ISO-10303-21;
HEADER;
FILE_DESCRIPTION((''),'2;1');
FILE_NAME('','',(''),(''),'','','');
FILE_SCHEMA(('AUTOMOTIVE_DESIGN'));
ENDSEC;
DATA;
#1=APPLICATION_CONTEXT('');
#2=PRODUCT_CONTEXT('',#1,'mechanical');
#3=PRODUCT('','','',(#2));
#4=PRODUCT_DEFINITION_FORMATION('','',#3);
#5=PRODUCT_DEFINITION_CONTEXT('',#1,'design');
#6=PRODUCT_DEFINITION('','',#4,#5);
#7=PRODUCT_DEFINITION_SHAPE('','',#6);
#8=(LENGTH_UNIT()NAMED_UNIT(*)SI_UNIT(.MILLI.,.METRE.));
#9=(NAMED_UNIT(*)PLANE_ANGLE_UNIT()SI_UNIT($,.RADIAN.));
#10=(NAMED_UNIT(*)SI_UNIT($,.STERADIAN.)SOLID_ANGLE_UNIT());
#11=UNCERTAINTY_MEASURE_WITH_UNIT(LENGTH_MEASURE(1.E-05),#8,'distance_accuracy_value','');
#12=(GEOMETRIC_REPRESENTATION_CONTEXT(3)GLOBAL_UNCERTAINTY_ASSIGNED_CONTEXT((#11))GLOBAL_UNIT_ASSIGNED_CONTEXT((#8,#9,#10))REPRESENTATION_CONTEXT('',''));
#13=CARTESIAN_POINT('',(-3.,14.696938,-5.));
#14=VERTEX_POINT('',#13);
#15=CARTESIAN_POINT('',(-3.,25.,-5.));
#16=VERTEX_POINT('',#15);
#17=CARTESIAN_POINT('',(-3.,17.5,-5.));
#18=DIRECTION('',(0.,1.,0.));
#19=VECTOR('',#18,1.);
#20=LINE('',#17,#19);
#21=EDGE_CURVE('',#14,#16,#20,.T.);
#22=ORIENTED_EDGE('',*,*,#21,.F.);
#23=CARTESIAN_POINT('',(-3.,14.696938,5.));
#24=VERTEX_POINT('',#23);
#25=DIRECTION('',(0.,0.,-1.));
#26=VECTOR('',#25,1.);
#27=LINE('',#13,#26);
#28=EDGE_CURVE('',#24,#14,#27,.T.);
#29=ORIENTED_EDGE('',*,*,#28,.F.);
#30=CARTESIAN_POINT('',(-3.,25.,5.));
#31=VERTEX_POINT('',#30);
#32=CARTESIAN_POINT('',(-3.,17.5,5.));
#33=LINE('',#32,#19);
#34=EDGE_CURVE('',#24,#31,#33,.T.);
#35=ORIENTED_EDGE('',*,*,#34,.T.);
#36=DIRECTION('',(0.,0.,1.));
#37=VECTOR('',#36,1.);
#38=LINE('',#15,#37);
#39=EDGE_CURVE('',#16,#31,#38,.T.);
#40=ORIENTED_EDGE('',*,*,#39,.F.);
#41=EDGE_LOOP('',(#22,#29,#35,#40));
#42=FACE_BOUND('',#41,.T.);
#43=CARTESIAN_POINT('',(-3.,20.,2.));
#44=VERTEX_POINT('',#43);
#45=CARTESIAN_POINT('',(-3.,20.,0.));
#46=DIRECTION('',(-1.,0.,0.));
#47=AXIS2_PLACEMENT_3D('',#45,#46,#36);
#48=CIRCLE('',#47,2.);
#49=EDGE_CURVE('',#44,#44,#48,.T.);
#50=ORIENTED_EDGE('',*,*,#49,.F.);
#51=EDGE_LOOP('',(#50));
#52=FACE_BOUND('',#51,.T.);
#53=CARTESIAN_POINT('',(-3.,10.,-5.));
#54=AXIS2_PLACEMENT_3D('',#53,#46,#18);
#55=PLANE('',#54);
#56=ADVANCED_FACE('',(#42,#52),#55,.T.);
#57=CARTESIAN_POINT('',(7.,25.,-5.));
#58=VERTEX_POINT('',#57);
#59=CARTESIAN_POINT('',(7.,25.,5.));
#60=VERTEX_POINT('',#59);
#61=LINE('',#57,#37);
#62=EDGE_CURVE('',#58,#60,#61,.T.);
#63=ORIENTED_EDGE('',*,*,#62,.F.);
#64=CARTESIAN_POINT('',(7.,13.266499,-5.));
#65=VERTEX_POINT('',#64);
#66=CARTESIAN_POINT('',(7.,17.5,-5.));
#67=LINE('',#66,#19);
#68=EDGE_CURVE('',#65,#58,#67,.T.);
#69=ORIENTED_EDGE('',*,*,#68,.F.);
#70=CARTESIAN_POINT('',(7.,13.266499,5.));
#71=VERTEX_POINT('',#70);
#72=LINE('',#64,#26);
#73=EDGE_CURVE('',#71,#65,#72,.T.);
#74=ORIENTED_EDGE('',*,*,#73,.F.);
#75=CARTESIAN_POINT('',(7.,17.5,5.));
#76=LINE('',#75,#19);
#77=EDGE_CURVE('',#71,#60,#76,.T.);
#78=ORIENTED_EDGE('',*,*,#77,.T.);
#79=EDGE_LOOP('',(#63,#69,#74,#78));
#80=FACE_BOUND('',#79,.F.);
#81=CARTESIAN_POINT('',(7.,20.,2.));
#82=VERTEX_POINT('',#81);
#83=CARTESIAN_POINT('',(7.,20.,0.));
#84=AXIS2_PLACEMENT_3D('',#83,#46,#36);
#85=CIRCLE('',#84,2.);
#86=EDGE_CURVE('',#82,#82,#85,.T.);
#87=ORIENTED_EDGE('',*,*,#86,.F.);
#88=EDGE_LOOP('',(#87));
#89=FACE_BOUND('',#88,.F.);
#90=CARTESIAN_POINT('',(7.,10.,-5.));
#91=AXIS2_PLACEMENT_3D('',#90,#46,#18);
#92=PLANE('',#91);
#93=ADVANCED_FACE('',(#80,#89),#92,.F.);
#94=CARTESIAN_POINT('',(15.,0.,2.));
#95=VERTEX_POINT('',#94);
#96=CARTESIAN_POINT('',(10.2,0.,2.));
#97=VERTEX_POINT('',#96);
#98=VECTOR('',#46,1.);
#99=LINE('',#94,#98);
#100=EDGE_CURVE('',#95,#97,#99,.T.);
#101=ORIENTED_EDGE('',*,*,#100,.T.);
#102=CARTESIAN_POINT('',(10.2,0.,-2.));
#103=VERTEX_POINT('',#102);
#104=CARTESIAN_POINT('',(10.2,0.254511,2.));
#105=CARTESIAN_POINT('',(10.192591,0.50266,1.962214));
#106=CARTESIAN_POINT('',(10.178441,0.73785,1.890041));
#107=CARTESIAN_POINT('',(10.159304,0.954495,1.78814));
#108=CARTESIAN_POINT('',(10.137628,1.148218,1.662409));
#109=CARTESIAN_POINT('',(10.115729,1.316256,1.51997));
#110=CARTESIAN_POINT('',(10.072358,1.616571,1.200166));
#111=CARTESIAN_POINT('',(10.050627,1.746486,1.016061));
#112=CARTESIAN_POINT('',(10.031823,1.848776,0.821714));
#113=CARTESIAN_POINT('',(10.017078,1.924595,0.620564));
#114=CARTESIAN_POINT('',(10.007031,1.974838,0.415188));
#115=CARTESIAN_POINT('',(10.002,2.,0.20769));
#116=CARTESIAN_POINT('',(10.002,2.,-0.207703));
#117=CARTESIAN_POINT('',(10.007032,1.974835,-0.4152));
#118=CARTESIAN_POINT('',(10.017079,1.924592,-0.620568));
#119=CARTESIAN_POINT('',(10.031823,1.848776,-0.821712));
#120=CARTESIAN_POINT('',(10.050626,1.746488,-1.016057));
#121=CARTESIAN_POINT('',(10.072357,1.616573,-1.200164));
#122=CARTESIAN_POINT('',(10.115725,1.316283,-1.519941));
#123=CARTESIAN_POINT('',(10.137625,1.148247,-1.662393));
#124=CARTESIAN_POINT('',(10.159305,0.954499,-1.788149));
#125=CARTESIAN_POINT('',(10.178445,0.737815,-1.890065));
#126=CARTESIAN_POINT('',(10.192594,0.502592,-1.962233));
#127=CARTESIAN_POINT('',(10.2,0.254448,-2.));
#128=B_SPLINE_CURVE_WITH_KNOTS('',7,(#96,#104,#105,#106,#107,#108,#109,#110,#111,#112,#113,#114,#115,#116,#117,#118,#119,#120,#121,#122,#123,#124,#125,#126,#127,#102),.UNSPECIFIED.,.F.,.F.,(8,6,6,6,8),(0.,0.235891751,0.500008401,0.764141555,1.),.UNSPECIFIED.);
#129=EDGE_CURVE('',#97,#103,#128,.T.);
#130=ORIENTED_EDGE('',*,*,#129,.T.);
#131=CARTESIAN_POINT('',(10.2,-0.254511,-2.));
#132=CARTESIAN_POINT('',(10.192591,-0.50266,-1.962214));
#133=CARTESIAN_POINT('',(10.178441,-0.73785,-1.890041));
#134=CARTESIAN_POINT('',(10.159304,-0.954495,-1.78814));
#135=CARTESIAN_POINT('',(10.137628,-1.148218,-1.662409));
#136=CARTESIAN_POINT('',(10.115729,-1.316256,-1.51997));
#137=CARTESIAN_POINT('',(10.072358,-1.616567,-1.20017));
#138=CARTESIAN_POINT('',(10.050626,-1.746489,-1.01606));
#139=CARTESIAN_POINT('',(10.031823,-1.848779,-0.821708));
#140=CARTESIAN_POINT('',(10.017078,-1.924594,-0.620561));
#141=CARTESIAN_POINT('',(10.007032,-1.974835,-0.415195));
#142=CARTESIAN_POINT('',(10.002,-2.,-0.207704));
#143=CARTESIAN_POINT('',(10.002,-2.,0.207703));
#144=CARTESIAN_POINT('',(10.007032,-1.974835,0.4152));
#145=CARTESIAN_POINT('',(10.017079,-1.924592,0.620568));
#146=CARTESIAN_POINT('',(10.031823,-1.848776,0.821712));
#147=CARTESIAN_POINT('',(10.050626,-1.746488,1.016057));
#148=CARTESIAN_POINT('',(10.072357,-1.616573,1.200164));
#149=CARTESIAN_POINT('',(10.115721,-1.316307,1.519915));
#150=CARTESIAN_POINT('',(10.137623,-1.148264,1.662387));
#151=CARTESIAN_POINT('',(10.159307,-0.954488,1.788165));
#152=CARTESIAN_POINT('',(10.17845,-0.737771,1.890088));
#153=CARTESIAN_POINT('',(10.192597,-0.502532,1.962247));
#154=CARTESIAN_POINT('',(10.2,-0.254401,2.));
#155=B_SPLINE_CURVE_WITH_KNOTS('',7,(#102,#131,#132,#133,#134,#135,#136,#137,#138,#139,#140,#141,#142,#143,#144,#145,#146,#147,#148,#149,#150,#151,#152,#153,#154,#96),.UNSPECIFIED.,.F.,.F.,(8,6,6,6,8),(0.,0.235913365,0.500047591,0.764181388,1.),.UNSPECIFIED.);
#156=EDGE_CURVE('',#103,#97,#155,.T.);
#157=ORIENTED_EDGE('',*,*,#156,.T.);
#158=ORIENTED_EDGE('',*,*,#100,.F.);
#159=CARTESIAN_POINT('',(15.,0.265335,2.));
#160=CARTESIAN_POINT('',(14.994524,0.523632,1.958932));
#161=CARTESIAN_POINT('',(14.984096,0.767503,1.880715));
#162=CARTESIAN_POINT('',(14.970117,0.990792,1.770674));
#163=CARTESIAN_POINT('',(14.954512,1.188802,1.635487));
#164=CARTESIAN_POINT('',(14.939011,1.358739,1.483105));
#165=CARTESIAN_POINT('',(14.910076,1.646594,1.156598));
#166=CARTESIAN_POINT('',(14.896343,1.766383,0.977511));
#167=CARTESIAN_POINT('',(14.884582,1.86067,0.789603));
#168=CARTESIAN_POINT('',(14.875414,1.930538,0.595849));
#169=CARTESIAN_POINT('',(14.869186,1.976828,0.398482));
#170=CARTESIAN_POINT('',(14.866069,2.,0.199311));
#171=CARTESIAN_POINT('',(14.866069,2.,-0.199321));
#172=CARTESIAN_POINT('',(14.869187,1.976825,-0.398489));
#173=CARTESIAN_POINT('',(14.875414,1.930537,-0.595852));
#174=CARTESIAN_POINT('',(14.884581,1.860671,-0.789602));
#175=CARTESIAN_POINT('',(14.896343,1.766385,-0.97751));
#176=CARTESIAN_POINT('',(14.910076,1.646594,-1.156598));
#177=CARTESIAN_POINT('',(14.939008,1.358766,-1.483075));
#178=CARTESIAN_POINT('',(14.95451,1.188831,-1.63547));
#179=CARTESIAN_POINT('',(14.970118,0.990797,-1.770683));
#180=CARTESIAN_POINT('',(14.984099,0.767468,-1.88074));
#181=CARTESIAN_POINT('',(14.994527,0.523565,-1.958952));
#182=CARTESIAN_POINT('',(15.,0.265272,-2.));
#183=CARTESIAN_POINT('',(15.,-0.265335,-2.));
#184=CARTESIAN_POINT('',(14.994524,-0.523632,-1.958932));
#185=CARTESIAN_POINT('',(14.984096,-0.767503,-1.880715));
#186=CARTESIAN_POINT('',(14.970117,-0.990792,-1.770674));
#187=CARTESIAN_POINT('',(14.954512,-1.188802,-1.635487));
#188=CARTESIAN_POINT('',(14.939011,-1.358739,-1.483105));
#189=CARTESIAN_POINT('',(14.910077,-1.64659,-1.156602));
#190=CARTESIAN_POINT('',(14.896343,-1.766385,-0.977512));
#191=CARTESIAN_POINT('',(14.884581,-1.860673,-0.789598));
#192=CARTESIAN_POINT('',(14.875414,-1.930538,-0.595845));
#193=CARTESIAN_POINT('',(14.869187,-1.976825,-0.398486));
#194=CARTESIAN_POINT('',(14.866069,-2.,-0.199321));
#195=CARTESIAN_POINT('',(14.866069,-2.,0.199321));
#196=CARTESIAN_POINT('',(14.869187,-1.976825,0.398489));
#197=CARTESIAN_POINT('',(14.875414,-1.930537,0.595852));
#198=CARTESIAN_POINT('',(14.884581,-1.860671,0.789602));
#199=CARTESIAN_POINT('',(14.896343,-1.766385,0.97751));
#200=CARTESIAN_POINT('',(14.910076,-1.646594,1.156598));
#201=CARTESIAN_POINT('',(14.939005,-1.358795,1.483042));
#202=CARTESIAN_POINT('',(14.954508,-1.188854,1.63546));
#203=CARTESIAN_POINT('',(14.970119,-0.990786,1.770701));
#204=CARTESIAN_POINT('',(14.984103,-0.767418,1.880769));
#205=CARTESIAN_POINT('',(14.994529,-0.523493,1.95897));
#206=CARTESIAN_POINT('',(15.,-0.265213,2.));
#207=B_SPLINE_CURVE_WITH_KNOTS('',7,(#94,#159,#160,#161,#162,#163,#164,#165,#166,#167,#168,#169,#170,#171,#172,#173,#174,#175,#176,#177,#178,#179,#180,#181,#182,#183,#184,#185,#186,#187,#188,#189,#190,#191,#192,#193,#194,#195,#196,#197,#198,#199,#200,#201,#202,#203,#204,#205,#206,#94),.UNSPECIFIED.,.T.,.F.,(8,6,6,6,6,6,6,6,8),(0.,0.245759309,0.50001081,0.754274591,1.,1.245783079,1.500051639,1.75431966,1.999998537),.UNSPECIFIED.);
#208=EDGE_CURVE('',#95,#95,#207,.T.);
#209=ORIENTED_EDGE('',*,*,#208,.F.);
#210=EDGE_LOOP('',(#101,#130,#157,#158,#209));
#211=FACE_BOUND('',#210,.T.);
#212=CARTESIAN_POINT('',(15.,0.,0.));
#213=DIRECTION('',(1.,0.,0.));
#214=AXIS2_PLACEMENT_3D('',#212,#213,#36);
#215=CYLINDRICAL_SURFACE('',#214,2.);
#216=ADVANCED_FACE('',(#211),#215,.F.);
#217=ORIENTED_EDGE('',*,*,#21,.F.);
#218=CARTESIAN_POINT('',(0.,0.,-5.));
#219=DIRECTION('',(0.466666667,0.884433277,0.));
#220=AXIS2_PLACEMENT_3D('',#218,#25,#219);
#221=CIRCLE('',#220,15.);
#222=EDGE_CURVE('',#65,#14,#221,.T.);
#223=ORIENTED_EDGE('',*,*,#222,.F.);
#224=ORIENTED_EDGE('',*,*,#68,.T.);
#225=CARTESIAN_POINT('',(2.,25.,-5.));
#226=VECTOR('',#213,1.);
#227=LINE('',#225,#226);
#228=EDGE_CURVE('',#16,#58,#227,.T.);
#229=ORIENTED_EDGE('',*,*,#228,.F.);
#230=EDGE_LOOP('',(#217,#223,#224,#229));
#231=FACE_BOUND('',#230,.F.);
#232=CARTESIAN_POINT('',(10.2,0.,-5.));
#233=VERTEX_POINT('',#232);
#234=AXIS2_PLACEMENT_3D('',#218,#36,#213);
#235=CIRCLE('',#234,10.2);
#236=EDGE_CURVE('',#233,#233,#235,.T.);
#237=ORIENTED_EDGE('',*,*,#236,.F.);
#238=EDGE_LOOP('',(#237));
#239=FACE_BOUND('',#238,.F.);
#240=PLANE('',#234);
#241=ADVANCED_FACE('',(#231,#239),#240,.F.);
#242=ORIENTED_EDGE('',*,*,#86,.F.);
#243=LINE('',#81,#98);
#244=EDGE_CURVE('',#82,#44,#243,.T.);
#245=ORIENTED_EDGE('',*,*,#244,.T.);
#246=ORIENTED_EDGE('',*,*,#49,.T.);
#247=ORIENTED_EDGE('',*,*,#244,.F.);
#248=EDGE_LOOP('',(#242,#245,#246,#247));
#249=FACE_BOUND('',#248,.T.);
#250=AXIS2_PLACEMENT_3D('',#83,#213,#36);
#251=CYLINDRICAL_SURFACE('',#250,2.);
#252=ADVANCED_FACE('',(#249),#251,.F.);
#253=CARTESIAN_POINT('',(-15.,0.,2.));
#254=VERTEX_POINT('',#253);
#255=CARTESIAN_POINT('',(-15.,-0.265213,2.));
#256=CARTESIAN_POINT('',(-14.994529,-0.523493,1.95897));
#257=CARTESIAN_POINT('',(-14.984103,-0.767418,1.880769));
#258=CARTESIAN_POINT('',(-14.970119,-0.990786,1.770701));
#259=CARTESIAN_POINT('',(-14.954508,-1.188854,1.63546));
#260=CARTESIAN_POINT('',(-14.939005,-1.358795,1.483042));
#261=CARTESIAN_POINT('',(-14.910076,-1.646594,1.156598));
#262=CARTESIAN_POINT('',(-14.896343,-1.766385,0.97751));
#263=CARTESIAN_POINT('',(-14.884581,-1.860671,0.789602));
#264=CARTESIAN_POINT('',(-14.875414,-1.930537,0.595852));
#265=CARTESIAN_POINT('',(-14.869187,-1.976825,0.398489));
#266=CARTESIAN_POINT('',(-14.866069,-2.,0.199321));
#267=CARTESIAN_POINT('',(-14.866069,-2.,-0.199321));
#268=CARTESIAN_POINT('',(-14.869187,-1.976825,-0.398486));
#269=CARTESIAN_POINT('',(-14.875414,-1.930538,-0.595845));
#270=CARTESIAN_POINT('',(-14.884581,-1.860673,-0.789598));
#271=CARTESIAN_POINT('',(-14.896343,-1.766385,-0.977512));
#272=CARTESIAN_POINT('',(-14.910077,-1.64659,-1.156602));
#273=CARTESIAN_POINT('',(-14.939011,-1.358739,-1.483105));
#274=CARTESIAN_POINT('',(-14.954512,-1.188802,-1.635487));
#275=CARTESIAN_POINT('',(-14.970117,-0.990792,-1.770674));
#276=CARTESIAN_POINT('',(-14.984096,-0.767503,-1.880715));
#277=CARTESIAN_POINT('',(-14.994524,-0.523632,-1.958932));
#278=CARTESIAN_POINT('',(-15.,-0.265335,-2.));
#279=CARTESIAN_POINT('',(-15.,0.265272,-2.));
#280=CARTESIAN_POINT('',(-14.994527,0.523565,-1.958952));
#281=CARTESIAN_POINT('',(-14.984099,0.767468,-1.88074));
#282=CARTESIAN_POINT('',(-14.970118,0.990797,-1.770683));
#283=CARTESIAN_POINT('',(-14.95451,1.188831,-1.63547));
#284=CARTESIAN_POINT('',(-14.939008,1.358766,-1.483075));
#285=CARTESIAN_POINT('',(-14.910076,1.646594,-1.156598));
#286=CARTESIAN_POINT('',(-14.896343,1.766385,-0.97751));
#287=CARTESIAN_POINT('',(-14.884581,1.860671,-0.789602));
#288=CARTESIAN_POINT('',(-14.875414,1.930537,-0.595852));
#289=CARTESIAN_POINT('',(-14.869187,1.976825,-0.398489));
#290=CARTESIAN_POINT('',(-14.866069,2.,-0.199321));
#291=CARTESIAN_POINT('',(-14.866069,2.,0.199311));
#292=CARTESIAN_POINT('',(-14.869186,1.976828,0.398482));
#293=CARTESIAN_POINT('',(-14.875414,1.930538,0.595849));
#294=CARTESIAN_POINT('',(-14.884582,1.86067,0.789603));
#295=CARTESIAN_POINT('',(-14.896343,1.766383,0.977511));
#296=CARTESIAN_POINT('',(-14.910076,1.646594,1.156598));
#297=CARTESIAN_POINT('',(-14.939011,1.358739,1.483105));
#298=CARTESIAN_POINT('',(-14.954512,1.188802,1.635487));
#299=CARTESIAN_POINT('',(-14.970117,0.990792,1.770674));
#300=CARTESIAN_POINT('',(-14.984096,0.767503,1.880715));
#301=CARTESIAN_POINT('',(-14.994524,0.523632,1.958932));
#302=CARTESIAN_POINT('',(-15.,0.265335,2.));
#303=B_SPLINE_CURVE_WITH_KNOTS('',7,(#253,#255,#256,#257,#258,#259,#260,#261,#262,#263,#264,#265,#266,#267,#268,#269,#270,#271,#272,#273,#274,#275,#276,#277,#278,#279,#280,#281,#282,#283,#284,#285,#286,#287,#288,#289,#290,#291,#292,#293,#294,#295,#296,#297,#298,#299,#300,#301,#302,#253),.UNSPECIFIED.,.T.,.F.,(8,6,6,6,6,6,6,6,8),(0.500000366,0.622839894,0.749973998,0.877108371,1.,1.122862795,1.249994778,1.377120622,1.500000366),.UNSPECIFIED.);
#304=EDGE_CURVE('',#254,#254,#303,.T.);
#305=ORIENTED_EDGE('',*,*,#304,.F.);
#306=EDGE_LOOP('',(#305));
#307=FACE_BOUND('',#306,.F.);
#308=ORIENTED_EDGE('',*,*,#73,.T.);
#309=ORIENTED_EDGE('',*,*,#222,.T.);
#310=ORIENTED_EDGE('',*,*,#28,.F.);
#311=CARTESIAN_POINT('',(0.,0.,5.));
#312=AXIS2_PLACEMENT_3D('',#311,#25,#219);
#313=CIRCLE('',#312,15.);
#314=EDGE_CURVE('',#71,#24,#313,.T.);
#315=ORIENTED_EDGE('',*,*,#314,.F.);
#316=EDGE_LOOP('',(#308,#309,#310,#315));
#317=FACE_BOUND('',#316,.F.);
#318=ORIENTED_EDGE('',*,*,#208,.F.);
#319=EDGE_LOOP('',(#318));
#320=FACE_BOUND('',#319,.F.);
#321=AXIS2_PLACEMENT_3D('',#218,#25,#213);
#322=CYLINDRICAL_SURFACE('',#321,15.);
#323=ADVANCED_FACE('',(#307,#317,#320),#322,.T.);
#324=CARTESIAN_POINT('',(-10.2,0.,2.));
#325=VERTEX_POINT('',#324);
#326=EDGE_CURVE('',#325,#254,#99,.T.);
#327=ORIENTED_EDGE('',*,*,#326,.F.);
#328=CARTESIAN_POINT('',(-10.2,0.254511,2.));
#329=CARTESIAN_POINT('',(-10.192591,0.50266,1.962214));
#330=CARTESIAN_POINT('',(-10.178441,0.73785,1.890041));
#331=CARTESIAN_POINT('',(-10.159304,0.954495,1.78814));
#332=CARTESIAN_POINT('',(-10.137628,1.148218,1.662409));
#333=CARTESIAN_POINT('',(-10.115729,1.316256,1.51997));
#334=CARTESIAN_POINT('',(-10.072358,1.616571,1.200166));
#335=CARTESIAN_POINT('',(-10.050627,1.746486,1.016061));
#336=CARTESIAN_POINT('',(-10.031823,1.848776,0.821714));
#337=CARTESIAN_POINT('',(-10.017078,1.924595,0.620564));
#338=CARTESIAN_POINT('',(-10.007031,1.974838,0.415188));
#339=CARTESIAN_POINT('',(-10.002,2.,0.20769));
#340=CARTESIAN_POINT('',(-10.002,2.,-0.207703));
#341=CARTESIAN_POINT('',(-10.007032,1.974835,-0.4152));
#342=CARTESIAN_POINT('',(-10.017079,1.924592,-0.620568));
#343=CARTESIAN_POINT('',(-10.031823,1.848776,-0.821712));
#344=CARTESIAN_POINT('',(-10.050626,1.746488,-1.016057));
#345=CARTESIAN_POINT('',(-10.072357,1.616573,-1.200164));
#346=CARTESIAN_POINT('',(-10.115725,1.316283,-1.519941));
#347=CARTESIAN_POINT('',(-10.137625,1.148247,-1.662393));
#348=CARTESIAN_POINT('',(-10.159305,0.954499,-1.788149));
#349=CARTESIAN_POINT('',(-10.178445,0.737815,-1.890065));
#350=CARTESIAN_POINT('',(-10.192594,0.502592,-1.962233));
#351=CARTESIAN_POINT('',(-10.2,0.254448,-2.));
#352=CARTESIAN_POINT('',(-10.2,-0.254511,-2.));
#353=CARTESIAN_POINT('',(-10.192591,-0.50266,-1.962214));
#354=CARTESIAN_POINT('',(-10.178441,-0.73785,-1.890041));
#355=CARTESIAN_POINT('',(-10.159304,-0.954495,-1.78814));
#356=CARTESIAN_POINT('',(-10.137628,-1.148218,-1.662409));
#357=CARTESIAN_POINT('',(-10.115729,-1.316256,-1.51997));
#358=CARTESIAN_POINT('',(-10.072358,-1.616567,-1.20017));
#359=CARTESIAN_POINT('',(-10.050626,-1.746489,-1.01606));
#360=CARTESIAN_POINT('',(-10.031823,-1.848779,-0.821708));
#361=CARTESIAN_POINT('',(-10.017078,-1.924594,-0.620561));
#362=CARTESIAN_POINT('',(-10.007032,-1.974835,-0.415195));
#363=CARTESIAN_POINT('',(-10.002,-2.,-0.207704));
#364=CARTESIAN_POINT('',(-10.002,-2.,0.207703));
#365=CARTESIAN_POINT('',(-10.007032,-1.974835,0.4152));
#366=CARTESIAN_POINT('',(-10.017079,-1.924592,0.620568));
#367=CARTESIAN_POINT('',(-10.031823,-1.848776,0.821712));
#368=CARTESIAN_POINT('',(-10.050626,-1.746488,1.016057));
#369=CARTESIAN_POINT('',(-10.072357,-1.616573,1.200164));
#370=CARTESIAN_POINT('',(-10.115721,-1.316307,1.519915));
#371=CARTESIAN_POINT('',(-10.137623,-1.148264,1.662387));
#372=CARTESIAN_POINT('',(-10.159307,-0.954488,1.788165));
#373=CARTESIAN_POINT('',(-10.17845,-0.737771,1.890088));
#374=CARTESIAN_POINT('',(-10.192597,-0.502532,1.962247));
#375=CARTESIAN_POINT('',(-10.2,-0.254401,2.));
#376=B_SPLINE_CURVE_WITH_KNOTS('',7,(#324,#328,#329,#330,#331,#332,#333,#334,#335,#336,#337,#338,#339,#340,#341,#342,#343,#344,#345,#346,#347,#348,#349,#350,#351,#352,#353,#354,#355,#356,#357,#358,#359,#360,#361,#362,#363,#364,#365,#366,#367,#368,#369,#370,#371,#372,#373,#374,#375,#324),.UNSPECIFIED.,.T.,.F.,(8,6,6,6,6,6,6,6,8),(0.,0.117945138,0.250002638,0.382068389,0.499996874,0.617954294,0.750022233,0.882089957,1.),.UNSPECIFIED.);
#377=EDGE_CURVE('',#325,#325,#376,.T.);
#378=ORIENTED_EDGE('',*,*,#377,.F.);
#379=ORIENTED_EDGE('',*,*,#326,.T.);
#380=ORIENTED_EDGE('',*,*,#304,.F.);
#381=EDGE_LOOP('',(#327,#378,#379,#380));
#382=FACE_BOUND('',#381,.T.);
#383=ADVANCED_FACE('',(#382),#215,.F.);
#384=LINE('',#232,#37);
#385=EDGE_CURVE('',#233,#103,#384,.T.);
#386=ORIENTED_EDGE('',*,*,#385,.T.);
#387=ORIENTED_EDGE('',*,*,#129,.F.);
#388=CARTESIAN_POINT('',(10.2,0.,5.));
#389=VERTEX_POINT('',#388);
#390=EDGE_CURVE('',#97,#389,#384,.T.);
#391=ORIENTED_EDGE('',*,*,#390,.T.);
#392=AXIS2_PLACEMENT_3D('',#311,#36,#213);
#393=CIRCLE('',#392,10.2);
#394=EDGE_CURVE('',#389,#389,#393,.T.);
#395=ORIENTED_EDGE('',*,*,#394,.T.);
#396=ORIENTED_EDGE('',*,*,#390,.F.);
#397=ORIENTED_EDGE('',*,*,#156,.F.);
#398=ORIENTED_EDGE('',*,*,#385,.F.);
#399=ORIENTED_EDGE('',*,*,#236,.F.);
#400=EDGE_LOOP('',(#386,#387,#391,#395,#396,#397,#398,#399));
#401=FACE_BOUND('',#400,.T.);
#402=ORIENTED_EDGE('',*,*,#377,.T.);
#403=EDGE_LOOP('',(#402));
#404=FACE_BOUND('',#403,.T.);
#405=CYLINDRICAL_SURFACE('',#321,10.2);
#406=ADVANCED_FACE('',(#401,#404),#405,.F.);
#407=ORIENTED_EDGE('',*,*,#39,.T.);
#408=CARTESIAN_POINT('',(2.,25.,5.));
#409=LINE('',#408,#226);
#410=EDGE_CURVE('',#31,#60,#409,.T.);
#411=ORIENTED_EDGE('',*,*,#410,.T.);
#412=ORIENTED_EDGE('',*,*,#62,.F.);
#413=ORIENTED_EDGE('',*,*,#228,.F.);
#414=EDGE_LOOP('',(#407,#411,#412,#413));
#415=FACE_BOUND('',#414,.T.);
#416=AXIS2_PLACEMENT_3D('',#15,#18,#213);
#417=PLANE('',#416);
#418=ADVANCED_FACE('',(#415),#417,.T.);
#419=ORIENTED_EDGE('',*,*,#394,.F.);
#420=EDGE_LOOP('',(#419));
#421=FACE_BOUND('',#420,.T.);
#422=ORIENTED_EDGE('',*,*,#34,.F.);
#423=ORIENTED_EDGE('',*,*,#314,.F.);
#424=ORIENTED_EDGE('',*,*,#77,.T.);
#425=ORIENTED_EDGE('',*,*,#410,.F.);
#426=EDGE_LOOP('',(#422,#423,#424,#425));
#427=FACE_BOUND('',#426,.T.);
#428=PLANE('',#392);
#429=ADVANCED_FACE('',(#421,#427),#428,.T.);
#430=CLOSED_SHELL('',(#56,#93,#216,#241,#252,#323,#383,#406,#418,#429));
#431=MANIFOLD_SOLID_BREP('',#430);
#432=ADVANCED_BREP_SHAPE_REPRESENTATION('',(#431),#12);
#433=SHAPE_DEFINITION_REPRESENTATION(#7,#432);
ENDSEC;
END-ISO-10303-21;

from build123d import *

# Parameters (mm, degrees)
CYLINDER003_R     = 2
CYLINDER003_DEPTH = 10
CYLINDER004_R     = 2
CYLINDER004_DEPTH = 30
CYLINDER001_R     = 10.2
CYLINDER001_DEPTH = 10
BOX_W             = 10
BOX_H             = 15
BOX_DEPTH         = 10
CYLINDER_R        = 15
CYLINDER_DEPTH    = 10


with BuildPart() as cylinder003:
    # Cylinder003 → Cylinder003 (new body)
    with BuildSketch(Plane(origin=(7, 20, 0), x_dir=(0, 0, 1), z_dir=(-1, 0, 0))):
        Circle(CYLINDER003_R)
    extrude(amount=CYLINDER003_DEPTH)


with BuildPart() as cylinder004:
    # Cylinder004 → Cylinder004 (new body)
    with BuildSketch(Plane.ZY.offset(-15)):
        Circle(CYLINDER004_R)
    extrude(amount=CYLINDER004_DEPTH)


with BuildPart() as negative_fusion:
    # Cylinder001 → Cylinder001 (new body)
    with BuildSketch(Plane.XY.offset(-5)):
        Circle(CYLINDER001_R)
    extrude(amount=CYLINDER001_DEPTH)

    # Fusion: union Cylinder003, Cylinder004
    add(cylinder003.part)
    add(cylinder004.part)


with BuildPart() as cube:
    # Box → Box (new body)
    with BuildSketch(Plane(origin=(-3, 10, -5), x_dir=(1, 0, 0), z_dir=(0, 0, 1))):
        with Locations((5, 7.5)):
            Rectangle(BOX_W, BOX_H)
    extrude(amount=BOX_DEPTH)


with BuildPart() as cut:
    # Cylinder → Cylinder (new body)
    with BuildSketch(Plane.XY.offset(-5)):
        Circle(CYLINDER_R)
    extrude(amount=CYLINDER_DEPTH)

    # Fusion001: union Cube
    add(cube.part)

    # Cut: cut Negative Fusion
    add(negative_fusion.part, mode=Mode.SUBTRACT)


solid = cut.part
